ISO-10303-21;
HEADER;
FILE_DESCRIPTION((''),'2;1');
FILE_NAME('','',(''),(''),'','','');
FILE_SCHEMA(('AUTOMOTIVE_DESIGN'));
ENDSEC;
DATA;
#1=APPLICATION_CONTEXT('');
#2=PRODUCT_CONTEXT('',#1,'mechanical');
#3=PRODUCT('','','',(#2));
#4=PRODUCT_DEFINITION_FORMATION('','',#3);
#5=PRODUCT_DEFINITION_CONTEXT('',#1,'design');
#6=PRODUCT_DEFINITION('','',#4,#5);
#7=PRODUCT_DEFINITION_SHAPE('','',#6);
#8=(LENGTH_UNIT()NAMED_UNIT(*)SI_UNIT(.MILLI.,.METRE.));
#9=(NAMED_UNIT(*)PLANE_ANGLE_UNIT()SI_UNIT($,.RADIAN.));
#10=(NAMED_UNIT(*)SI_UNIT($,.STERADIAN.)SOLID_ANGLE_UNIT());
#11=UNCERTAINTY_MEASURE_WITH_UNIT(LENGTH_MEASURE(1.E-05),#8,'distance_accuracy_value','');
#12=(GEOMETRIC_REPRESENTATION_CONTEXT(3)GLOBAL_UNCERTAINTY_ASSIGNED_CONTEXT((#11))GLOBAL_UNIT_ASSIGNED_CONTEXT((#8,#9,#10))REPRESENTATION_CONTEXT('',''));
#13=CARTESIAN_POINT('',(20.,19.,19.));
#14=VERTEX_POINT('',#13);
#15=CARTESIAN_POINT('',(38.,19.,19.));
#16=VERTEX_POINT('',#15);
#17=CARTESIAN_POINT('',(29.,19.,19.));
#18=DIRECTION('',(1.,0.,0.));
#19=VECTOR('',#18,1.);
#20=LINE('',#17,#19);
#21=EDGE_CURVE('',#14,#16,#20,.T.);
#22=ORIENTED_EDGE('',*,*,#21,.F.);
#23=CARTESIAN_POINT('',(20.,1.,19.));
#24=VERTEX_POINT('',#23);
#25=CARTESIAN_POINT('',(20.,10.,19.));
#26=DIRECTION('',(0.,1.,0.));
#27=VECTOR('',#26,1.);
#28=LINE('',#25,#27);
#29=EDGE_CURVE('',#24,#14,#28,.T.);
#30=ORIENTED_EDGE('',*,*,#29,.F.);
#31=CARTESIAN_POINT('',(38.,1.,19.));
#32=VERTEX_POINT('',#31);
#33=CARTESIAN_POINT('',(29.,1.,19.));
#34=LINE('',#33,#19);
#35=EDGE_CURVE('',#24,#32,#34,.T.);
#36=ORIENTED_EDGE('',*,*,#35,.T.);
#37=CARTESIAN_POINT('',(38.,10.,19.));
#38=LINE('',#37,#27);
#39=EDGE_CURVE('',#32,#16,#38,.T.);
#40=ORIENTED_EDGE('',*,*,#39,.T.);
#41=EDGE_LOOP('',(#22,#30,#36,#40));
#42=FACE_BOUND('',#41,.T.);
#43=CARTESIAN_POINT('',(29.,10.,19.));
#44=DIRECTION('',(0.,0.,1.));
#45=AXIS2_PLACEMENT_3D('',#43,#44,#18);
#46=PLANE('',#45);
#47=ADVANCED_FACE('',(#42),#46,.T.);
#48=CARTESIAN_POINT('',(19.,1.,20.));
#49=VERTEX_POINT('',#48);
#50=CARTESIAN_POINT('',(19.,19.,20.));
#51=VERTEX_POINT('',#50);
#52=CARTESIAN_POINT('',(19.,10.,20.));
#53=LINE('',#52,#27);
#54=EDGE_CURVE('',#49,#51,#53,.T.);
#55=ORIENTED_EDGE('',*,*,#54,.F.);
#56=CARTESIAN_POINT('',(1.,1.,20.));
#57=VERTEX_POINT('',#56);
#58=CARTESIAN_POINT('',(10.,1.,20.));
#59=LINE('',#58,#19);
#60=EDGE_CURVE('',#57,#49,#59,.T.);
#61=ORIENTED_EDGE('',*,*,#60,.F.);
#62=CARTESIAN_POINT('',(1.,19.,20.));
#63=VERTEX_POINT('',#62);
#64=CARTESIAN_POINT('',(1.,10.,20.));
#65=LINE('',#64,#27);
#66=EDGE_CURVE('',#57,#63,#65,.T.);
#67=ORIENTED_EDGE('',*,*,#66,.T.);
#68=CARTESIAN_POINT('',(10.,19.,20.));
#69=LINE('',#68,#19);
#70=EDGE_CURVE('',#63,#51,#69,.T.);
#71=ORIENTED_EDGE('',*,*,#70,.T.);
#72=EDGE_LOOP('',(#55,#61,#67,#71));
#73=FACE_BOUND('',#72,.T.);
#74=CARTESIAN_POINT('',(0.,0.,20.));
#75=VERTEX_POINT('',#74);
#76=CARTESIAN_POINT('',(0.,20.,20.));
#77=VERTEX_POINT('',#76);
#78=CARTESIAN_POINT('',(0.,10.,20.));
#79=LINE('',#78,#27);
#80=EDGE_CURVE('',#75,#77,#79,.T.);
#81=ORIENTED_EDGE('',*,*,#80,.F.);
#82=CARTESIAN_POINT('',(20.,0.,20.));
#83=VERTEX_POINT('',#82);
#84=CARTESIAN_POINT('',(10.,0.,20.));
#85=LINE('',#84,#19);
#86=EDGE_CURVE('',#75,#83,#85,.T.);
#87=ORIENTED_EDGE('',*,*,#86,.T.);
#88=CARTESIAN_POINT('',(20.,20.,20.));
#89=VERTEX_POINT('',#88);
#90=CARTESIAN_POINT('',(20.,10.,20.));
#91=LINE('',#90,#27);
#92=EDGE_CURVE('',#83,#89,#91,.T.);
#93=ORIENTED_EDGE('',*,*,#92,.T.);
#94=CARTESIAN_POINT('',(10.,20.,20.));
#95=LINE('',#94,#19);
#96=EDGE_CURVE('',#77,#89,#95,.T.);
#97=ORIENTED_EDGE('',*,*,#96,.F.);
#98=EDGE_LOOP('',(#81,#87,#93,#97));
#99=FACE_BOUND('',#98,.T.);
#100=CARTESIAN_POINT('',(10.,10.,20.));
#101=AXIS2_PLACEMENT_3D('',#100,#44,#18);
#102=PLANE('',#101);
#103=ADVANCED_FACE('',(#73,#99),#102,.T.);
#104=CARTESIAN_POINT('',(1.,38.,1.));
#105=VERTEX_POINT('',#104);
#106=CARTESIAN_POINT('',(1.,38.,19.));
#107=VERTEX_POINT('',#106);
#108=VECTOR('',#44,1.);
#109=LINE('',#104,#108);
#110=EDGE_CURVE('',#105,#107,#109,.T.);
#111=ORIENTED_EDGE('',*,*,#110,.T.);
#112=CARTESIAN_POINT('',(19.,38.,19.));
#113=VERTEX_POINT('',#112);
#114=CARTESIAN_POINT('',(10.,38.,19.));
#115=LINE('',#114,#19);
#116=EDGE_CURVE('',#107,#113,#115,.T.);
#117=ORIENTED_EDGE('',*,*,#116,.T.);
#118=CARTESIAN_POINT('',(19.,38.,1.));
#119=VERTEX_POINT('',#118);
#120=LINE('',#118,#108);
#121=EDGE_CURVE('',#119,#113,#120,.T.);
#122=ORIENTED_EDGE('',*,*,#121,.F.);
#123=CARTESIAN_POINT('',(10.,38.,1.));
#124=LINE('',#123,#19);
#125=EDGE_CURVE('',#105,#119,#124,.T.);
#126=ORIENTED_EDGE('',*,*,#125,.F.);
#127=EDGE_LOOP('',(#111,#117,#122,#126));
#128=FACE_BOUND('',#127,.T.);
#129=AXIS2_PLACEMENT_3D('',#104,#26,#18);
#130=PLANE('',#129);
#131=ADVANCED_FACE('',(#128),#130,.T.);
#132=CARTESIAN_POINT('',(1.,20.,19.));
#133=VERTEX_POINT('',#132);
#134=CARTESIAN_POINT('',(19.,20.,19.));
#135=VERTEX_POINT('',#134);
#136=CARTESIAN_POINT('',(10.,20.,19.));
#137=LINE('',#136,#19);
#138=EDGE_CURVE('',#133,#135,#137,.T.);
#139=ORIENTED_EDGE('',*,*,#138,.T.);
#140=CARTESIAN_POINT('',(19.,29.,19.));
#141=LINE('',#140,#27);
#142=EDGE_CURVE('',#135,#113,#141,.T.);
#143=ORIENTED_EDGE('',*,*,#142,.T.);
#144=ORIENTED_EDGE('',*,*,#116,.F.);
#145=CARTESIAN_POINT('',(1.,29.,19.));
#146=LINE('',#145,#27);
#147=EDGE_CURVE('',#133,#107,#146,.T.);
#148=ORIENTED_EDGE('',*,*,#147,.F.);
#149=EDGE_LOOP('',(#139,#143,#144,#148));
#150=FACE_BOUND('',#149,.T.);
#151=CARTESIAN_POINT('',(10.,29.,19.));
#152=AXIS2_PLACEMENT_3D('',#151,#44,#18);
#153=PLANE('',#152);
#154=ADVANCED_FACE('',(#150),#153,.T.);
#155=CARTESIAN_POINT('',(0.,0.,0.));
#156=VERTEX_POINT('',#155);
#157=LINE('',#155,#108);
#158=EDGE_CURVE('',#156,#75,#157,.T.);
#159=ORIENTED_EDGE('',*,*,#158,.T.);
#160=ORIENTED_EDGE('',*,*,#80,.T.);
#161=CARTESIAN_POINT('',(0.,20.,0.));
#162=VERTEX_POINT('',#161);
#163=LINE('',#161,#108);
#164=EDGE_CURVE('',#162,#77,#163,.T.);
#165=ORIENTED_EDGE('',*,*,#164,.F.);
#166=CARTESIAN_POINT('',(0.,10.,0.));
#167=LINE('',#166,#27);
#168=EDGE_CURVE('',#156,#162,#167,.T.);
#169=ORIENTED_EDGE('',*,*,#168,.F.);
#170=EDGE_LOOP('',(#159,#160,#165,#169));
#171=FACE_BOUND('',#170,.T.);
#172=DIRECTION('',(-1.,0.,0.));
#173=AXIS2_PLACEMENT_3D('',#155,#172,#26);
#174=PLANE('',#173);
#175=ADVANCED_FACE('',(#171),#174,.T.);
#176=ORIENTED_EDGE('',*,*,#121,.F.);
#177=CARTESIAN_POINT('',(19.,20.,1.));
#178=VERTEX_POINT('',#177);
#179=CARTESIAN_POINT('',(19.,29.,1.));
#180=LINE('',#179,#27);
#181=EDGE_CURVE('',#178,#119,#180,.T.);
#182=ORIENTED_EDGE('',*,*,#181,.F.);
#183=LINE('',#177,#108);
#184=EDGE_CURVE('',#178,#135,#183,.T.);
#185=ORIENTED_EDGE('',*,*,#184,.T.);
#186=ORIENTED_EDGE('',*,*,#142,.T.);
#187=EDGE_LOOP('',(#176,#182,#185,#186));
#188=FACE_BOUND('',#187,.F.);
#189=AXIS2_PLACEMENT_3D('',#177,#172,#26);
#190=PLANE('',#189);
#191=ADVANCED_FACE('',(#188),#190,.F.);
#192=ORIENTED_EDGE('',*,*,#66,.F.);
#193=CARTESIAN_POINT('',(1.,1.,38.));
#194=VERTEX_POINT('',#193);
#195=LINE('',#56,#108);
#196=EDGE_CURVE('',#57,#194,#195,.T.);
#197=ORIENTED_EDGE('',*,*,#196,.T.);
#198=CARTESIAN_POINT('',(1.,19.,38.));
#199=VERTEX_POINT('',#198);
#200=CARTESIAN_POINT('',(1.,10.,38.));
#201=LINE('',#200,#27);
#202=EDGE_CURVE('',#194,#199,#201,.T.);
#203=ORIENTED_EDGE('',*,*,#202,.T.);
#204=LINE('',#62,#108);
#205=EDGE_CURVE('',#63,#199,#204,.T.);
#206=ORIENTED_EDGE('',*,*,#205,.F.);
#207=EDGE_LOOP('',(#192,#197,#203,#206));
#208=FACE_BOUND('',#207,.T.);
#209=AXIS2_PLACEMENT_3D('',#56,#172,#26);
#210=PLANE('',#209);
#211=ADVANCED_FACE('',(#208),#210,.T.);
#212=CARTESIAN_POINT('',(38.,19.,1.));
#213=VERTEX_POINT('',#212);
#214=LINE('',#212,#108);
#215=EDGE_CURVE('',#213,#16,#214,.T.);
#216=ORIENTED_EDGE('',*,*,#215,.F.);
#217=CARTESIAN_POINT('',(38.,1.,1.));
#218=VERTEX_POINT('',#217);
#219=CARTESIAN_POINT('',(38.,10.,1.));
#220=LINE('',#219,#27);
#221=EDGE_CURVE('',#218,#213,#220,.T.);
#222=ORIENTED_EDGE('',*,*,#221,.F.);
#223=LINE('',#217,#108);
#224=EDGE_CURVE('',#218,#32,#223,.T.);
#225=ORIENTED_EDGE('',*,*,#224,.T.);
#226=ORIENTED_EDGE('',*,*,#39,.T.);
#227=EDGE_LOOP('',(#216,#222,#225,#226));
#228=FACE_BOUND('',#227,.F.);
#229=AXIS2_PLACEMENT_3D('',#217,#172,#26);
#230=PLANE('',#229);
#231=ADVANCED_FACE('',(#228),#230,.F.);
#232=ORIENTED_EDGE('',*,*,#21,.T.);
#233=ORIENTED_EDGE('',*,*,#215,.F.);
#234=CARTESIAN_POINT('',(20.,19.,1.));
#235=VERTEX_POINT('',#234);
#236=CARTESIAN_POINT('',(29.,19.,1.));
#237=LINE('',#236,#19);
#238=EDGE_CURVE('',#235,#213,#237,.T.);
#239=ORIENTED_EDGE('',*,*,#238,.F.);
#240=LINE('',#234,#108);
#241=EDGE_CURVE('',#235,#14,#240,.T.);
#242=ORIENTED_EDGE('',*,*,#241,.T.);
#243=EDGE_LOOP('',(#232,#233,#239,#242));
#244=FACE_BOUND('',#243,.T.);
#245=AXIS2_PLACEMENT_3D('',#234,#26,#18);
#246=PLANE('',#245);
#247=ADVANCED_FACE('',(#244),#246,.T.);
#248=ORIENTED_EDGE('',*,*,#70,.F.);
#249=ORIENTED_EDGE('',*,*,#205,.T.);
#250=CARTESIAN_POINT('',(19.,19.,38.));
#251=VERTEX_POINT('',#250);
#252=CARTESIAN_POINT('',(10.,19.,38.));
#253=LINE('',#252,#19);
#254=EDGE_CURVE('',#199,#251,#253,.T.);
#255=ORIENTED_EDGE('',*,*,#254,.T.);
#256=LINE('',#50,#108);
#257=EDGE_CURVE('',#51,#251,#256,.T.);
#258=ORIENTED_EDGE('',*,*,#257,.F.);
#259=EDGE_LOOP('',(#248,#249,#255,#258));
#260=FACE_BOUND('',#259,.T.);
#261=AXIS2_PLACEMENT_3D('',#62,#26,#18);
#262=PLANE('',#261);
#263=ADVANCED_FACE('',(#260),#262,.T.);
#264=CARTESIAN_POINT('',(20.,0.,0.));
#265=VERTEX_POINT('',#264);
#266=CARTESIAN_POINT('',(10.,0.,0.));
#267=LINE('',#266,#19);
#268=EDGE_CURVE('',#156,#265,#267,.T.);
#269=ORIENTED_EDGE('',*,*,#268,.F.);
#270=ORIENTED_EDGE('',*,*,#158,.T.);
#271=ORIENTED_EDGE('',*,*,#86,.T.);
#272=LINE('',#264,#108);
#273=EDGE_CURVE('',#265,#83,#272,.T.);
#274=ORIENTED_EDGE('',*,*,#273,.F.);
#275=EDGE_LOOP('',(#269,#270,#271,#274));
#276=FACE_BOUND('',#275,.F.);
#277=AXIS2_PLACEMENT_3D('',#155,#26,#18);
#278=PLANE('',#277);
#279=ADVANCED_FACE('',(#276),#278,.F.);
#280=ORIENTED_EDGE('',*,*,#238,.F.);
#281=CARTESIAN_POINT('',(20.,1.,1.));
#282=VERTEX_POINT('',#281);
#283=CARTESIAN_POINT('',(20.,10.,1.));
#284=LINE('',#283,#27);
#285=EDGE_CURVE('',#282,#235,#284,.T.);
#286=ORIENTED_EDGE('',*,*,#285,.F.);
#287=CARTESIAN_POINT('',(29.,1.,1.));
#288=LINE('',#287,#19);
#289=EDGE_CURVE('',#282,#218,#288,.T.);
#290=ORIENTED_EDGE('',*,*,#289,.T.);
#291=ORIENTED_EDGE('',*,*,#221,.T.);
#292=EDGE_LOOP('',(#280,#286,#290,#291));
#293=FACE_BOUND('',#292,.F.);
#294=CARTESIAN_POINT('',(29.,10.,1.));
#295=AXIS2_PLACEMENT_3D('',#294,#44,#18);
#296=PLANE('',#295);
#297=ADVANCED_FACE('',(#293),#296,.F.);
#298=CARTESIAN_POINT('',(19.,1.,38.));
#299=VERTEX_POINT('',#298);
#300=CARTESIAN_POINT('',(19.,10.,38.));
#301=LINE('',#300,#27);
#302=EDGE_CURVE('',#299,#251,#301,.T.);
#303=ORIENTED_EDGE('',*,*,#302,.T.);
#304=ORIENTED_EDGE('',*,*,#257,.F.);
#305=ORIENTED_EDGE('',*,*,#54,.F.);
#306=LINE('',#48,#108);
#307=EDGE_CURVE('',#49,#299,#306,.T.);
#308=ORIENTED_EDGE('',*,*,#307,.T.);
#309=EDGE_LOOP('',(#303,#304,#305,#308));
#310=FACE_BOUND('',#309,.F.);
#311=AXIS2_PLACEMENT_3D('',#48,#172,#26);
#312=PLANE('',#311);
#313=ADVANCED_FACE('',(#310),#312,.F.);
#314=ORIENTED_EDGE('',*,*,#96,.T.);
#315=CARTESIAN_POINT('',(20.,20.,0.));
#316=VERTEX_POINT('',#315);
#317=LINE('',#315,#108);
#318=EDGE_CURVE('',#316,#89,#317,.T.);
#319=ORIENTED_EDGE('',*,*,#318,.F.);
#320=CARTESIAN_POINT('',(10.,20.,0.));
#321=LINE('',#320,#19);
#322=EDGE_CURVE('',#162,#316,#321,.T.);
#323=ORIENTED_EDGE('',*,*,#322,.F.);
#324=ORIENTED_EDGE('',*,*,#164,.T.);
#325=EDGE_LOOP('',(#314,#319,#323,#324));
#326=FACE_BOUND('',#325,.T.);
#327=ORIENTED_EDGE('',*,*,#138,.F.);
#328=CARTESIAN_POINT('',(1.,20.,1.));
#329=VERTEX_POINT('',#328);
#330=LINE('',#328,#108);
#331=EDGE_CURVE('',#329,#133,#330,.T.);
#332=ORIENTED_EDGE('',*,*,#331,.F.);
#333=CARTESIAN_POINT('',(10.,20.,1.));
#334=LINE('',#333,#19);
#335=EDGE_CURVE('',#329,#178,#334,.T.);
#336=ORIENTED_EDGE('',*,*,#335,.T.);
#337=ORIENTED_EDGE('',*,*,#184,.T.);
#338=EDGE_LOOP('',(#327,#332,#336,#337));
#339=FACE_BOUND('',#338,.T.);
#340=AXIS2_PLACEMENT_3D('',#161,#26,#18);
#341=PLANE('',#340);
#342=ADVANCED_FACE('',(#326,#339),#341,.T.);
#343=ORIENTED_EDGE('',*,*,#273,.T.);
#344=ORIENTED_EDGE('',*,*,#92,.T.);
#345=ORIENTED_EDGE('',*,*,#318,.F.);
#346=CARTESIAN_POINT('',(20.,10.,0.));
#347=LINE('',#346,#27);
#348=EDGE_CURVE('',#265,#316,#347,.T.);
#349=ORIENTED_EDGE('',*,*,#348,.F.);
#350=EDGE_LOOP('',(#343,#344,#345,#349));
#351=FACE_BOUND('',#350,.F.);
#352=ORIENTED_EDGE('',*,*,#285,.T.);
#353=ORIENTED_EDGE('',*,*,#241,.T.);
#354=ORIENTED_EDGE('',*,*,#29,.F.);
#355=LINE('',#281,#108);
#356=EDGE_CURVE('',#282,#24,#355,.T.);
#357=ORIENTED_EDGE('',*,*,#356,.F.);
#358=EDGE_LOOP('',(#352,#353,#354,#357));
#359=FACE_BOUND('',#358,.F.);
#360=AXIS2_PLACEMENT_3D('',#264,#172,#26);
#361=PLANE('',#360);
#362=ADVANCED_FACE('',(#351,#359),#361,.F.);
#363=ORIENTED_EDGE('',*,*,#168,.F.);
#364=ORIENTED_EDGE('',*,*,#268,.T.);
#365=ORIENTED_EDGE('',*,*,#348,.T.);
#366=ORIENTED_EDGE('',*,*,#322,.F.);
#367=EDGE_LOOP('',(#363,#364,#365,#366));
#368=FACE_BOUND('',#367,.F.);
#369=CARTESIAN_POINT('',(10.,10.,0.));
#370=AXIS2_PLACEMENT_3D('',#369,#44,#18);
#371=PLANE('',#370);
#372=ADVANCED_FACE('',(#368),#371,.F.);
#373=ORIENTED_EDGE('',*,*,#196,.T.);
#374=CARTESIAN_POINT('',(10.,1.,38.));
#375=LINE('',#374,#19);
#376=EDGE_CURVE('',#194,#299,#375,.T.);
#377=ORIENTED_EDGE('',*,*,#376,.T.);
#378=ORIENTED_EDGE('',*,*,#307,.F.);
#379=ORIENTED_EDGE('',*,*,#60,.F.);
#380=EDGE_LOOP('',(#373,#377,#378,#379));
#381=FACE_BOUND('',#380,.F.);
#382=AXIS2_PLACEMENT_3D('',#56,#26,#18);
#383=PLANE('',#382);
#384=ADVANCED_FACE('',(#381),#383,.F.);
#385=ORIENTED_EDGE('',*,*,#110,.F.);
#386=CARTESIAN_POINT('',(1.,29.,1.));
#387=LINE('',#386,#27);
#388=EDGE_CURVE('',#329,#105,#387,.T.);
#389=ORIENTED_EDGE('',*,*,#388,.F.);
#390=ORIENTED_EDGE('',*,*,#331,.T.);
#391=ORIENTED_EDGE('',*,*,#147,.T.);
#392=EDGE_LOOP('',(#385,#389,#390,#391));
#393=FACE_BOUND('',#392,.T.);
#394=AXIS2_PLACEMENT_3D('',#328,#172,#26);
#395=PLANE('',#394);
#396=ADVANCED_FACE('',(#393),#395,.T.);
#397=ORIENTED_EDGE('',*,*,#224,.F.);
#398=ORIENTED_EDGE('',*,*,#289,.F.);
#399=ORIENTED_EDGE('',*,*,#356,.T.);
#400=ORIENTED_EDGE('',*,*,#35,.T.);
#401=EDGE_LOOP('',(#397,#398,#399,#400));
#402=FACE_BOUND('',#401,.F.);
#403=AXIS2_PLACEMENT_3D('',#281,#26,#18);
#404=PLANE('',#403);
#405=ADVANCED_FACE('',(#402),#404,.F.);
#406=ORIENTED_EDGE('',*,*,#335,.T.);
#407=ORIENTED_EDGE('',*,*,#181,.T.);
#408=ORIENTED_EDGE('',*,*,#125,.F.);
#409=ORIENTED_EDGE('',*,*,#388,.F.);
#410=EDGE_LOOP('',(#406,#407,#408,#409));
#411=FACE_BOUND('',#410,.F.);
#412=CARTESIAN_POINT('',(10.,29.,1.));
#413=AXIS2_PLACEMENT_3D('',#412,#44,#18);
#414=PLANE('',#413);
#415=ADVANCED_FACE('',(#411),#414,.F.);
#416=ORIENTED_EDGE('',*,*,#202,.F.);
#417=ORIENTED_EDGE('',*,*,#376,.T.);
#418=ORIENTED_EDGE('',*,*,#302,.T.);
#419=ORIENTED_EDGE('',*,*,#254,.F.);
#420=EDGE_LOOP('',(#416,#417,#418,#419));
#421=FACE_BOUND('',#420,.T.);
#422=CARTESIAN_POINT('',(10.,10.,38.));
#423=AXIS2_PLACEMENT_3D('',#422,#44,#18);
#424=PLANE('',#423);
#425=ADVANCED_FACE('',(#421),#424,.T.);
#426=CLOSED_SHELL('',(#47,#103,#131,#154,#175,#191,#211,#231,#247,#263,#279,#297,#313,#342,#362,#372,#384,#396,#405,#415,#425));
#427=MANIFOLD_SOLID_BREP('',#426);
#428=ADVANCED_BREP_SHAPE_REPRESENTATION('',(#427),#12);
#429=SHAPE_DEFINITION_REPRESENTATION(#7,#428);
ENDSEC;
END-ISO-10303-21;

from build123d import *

# Parameters (mm, degrees)
BOX003_W     = 18
BOX003_H     = 18
BOX003_DEPTH = 18
BOX002_W     = 18
BOX002_H     = 18
BOX002_DEPTH = 18
BOX001_W     = 18
BOX001_H     = 18
BOX001_DEPTH = 18
BOX_W        = 20
BOX_H        = 20
BOX_DEPTH    = 20


with BuildPart() as z:
    # Box003 → Box003 (new body)
    with BuildSketch(Plane(origin=(1, 1, 20), x_dir=(1, 0, 0), z_dir=(0, 0, 1))):
        with Locations((9, 9)):
            Rectangle(BOX003_W, BOX003_H)
    extrude(amount=BOX003_DEPTH)


with BuildPart() as y:
    # Box002 → Box002 (new body)
    with BuildSketch(Plane(origin=(1, 20, 1), x_dir=(1, 0, 0), z_dir=(0, 0, 1))):
        with Locations((9, 9)):
            Rectangle(BOX002_W, BOX002_H)
    extrude(amount=BOX002_DEPTH)


with BuildPart() as x:
    # Box001 → Box001 (new body)
    with BuildSketch(Plane(origin=(20, 1, 1), x_dir=(1, 0, 0), z_dir=(0, 0, 1))):
        with Locations((9, 9)):
            Rectangle(BOX001_W, BOX001_H)
    extrude(amount=BOX001_DEPTH)


with BuildPart() as unionxyz:
    # Box → Box (new body)
    with BuildSketch(Plane.XY):
        with Locations((10, 10)):
            Rectangle(BOX_W, BOX_H)
    extrude(amount=BOX_DEPTH)

    # Fusion: union X
    add(x.part)

    # Fusion001: union Y
    add(y.part)

    # Fusion002: union Z
    add(z.part)


solid = unionxyz.part
